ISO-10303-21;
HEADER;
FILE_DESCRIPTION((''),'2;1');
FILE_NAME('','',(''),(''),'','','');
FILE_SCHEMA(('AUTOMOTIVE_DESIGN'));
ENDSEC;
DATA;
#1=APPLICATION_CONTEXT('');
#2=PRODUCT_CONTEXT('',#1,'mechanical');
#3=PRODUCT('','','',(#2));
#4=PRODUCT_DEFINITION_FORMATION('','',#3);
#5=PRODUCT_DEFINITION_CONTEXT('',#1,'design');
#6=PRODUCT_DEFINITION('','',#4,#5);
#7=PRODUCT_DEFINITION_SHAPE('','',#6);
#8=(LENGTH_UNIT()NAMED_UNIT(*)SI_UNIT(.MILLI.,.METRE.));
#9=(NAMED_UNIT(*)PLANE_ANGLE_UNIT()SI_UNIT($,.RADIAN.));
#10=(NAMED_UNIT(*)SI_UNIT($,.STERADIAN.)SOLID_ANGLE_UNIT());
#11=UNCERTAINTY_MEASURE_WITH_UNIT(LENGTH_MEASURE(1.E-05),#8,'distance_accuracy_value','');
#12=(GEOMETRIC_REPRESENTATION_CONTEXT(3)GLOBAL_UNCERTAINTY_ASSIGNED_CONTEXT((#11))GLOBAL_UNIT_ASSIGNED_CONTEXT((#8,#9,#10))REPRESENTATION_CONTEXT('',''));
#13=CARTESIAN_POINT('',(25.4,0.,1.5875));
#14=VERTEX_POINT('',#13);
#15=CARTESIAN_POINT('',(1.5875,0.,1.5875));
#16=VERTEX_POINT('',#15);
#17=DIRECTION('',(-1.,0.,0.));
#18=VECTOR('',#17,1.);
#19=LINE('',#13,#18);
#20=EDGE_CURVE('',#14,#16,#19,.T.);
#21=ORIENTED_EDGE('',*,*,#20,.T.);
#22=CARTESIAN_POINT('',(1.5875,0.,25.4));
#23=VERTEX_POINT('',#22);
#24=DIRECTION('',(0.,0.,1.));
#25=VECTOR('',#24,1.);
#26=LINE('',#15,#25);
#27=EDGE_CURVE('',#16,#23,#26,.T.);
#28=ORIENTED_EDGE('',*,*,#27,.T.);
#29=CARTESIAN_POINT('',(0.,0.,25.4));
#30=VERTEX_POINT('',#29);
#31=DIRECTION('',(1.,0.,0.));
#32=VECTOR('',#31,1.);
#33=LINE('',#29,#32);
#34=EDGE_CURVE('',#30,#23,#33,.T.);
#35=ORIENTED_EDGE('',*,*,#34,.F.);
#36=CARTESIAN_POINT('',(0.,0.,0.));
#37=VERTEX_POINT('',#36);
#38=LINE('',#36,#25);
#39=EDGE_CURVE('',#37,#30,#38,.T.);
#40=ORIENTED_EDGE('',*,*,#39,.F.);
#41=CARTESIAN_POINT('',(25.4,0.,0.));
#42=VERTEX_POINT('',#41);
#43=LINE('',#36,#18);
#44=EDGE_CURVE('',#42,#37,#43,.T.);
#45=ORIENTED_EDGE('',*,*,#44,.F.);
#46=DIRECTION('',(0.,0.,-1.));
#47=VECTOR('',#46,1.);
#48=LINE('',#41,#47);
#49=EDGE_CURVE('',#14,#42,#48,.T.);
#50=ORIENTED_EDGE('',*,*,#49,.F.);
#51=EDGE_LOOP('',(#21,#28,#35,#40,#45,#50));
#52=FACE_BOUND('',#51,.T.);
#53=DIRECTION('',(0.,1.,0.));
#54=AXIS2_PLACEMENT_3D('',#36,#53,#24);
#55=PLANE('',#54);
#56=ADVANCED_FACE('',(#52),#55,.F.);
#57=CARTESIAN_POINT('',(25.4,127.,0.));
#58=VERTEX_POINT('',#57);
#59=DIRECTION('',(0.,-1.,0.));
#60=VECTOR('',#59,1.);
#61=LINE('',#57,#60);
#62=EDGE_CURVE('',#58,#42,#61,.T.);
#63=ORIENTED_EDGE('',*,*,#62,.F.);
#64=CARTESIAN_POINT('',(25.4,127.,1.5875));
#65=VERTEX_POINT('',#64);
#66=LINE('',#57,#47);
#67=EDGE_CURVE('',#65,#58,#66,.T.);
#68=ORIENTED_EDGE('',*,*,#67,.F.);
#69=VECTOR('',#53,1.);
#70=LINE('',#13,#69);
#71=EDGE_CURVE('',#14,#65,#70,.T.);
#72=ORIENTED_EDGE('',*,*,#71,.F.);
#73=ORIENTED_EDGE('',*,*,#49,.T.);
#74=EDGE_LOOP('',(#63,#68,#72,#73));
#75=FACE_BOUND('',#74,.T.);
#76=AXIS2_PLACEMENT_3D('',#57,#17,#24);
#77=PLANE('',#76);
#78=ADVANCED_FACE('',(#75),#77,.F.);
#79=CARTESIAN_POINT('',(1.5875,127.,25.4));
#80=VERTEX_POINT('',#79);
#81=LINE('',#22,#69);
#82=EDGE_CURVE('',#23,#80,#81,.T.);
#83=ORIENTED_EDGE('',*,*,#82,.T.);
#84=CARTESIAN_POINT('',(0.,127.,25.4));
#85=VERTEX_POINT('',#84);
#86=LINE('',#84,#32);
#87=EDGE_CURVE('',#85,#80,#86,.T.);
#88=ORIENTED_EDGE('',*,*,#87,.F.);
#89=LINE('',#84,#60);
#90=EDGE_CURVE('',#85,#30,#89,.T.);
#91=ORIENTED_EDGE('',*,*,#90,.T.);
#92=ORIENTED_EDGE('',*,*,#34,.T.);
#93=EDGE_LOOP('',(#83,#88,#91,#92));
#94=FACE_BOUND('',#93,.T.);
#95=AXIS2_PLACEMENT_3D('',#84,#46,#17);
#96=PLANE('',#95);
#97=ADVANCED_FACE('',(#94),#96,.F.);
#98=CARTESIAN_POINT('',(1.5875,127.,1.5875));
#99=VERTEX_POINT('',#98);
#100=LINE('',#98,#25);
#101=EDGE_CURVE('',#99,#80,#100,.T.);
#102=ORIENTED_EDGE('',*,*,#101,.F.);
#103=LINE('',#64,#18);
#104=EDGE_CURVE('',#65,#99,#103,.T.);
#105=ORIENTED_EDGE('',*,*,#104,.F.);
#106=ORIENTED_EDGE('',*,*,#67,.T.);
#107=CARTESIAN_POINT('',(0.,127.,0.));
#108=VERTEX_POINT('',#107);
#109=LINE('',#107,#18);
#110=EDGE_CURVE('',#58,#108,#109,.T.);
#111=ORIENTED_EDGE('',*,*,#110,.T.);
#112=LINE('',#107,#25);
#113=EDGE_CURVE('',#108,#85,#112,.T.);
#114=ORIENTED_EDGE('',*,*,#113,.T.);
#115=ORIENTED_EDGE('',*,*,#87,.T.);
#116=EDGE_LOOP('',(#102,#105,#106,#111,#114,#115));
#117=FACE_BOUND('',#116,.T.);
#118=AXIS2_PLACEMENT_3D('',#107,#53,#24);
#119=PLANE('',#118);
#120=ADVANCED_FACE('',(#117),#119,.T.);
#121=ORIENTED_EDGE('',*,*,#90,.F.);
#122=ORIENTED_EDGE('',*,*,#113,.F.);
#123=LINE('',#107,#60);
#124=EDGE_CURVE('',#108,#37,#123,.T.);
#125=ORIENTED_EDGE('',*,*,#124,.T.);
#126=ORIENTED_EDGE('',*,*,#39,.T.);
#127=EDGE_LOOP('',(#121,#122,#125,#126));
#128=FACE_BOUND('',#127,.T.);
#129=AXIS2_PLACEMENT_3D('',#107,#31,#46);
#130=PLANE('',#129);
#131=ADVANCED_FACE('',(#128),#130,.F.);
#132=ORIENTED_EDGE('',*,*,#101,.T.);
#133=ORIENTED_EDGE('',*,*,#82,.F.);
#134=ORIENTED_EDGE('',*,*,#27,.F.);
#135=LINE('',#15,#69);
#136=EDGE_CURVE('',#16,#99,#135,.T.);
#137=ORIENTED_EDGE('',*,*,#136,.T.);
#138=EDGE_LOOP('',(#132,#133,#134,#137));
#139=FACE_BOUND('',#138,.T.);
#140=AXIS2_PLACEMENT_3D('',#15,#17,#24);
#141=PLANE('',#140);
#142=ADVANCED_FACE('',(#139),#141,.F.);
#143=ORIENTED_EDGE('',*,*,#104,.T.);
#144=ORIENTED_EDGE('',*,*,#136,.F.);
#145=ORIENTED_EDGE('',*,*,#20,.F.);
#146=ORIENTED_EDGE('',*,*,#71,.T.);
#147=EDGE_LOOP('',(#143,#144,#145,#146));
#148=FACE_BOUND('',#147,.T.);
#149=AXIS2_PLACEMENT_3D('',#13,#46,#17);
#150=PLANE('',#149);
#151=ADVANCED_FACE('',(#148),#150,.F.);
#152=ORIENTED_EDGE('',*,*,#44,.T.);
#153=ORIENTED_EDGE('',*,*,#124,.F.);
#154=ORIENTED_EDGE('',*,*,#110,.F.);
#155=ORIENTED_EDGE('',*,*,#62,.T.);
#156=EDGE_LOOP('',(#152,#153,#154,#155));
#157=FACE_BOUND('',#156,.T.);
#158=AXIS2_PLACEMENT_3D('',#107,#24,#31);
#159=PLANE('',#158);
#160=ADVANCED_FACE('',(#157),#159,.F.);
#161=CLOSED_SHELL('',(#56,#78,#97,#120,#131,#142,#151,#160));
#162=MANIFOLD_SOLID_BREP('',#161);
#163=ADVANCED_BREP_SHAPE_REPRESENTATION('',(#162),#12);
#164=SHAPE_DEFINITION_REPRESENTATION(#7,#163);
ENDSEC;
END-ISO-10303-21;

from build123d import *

# Parameters (mm, degrees)
SKETCH1_W           = 25.4
SKETCH1_H           = 25.4
BOSS_EXTRUDE1_DEPTH = 127
SKETCH2_W           = 23.8125
SKETCH2_H           = 23.8125
CUT_EXTRUDE1_DEPTH  = 132.982271537


with BuildPart() as part:
    # Sketch1 → Boss-Extrude1 (new body)
    with BuildSketch(Plane(origin=(0, 0, 0), x_dir=(1, 0, 0), z_dir=(0, 1, 0))):
        with Locations((12.7, -12.7)):
            Rectangle(SKETCH1_W, SKETCH1_H)
    extrude(amount=BOSS_EXTRUDE1_DEPTH)

    # Sketch2 → Cut-Extrude1 (cut, through all)
    with BuildSketch(Plane(origin=(0, 127, 0), x_dir=(1, 0, 0), z_dir=(0, 1, 0))):
        with Locations((13.49375, -13.49375)):
            Rectangle(SKETCH2_W, SKETCH2_H)
    extrude(amount=-CUT_EXTRUDE1_DEPTH, mode=Mode.SUBTRACT)


solid = part.part
